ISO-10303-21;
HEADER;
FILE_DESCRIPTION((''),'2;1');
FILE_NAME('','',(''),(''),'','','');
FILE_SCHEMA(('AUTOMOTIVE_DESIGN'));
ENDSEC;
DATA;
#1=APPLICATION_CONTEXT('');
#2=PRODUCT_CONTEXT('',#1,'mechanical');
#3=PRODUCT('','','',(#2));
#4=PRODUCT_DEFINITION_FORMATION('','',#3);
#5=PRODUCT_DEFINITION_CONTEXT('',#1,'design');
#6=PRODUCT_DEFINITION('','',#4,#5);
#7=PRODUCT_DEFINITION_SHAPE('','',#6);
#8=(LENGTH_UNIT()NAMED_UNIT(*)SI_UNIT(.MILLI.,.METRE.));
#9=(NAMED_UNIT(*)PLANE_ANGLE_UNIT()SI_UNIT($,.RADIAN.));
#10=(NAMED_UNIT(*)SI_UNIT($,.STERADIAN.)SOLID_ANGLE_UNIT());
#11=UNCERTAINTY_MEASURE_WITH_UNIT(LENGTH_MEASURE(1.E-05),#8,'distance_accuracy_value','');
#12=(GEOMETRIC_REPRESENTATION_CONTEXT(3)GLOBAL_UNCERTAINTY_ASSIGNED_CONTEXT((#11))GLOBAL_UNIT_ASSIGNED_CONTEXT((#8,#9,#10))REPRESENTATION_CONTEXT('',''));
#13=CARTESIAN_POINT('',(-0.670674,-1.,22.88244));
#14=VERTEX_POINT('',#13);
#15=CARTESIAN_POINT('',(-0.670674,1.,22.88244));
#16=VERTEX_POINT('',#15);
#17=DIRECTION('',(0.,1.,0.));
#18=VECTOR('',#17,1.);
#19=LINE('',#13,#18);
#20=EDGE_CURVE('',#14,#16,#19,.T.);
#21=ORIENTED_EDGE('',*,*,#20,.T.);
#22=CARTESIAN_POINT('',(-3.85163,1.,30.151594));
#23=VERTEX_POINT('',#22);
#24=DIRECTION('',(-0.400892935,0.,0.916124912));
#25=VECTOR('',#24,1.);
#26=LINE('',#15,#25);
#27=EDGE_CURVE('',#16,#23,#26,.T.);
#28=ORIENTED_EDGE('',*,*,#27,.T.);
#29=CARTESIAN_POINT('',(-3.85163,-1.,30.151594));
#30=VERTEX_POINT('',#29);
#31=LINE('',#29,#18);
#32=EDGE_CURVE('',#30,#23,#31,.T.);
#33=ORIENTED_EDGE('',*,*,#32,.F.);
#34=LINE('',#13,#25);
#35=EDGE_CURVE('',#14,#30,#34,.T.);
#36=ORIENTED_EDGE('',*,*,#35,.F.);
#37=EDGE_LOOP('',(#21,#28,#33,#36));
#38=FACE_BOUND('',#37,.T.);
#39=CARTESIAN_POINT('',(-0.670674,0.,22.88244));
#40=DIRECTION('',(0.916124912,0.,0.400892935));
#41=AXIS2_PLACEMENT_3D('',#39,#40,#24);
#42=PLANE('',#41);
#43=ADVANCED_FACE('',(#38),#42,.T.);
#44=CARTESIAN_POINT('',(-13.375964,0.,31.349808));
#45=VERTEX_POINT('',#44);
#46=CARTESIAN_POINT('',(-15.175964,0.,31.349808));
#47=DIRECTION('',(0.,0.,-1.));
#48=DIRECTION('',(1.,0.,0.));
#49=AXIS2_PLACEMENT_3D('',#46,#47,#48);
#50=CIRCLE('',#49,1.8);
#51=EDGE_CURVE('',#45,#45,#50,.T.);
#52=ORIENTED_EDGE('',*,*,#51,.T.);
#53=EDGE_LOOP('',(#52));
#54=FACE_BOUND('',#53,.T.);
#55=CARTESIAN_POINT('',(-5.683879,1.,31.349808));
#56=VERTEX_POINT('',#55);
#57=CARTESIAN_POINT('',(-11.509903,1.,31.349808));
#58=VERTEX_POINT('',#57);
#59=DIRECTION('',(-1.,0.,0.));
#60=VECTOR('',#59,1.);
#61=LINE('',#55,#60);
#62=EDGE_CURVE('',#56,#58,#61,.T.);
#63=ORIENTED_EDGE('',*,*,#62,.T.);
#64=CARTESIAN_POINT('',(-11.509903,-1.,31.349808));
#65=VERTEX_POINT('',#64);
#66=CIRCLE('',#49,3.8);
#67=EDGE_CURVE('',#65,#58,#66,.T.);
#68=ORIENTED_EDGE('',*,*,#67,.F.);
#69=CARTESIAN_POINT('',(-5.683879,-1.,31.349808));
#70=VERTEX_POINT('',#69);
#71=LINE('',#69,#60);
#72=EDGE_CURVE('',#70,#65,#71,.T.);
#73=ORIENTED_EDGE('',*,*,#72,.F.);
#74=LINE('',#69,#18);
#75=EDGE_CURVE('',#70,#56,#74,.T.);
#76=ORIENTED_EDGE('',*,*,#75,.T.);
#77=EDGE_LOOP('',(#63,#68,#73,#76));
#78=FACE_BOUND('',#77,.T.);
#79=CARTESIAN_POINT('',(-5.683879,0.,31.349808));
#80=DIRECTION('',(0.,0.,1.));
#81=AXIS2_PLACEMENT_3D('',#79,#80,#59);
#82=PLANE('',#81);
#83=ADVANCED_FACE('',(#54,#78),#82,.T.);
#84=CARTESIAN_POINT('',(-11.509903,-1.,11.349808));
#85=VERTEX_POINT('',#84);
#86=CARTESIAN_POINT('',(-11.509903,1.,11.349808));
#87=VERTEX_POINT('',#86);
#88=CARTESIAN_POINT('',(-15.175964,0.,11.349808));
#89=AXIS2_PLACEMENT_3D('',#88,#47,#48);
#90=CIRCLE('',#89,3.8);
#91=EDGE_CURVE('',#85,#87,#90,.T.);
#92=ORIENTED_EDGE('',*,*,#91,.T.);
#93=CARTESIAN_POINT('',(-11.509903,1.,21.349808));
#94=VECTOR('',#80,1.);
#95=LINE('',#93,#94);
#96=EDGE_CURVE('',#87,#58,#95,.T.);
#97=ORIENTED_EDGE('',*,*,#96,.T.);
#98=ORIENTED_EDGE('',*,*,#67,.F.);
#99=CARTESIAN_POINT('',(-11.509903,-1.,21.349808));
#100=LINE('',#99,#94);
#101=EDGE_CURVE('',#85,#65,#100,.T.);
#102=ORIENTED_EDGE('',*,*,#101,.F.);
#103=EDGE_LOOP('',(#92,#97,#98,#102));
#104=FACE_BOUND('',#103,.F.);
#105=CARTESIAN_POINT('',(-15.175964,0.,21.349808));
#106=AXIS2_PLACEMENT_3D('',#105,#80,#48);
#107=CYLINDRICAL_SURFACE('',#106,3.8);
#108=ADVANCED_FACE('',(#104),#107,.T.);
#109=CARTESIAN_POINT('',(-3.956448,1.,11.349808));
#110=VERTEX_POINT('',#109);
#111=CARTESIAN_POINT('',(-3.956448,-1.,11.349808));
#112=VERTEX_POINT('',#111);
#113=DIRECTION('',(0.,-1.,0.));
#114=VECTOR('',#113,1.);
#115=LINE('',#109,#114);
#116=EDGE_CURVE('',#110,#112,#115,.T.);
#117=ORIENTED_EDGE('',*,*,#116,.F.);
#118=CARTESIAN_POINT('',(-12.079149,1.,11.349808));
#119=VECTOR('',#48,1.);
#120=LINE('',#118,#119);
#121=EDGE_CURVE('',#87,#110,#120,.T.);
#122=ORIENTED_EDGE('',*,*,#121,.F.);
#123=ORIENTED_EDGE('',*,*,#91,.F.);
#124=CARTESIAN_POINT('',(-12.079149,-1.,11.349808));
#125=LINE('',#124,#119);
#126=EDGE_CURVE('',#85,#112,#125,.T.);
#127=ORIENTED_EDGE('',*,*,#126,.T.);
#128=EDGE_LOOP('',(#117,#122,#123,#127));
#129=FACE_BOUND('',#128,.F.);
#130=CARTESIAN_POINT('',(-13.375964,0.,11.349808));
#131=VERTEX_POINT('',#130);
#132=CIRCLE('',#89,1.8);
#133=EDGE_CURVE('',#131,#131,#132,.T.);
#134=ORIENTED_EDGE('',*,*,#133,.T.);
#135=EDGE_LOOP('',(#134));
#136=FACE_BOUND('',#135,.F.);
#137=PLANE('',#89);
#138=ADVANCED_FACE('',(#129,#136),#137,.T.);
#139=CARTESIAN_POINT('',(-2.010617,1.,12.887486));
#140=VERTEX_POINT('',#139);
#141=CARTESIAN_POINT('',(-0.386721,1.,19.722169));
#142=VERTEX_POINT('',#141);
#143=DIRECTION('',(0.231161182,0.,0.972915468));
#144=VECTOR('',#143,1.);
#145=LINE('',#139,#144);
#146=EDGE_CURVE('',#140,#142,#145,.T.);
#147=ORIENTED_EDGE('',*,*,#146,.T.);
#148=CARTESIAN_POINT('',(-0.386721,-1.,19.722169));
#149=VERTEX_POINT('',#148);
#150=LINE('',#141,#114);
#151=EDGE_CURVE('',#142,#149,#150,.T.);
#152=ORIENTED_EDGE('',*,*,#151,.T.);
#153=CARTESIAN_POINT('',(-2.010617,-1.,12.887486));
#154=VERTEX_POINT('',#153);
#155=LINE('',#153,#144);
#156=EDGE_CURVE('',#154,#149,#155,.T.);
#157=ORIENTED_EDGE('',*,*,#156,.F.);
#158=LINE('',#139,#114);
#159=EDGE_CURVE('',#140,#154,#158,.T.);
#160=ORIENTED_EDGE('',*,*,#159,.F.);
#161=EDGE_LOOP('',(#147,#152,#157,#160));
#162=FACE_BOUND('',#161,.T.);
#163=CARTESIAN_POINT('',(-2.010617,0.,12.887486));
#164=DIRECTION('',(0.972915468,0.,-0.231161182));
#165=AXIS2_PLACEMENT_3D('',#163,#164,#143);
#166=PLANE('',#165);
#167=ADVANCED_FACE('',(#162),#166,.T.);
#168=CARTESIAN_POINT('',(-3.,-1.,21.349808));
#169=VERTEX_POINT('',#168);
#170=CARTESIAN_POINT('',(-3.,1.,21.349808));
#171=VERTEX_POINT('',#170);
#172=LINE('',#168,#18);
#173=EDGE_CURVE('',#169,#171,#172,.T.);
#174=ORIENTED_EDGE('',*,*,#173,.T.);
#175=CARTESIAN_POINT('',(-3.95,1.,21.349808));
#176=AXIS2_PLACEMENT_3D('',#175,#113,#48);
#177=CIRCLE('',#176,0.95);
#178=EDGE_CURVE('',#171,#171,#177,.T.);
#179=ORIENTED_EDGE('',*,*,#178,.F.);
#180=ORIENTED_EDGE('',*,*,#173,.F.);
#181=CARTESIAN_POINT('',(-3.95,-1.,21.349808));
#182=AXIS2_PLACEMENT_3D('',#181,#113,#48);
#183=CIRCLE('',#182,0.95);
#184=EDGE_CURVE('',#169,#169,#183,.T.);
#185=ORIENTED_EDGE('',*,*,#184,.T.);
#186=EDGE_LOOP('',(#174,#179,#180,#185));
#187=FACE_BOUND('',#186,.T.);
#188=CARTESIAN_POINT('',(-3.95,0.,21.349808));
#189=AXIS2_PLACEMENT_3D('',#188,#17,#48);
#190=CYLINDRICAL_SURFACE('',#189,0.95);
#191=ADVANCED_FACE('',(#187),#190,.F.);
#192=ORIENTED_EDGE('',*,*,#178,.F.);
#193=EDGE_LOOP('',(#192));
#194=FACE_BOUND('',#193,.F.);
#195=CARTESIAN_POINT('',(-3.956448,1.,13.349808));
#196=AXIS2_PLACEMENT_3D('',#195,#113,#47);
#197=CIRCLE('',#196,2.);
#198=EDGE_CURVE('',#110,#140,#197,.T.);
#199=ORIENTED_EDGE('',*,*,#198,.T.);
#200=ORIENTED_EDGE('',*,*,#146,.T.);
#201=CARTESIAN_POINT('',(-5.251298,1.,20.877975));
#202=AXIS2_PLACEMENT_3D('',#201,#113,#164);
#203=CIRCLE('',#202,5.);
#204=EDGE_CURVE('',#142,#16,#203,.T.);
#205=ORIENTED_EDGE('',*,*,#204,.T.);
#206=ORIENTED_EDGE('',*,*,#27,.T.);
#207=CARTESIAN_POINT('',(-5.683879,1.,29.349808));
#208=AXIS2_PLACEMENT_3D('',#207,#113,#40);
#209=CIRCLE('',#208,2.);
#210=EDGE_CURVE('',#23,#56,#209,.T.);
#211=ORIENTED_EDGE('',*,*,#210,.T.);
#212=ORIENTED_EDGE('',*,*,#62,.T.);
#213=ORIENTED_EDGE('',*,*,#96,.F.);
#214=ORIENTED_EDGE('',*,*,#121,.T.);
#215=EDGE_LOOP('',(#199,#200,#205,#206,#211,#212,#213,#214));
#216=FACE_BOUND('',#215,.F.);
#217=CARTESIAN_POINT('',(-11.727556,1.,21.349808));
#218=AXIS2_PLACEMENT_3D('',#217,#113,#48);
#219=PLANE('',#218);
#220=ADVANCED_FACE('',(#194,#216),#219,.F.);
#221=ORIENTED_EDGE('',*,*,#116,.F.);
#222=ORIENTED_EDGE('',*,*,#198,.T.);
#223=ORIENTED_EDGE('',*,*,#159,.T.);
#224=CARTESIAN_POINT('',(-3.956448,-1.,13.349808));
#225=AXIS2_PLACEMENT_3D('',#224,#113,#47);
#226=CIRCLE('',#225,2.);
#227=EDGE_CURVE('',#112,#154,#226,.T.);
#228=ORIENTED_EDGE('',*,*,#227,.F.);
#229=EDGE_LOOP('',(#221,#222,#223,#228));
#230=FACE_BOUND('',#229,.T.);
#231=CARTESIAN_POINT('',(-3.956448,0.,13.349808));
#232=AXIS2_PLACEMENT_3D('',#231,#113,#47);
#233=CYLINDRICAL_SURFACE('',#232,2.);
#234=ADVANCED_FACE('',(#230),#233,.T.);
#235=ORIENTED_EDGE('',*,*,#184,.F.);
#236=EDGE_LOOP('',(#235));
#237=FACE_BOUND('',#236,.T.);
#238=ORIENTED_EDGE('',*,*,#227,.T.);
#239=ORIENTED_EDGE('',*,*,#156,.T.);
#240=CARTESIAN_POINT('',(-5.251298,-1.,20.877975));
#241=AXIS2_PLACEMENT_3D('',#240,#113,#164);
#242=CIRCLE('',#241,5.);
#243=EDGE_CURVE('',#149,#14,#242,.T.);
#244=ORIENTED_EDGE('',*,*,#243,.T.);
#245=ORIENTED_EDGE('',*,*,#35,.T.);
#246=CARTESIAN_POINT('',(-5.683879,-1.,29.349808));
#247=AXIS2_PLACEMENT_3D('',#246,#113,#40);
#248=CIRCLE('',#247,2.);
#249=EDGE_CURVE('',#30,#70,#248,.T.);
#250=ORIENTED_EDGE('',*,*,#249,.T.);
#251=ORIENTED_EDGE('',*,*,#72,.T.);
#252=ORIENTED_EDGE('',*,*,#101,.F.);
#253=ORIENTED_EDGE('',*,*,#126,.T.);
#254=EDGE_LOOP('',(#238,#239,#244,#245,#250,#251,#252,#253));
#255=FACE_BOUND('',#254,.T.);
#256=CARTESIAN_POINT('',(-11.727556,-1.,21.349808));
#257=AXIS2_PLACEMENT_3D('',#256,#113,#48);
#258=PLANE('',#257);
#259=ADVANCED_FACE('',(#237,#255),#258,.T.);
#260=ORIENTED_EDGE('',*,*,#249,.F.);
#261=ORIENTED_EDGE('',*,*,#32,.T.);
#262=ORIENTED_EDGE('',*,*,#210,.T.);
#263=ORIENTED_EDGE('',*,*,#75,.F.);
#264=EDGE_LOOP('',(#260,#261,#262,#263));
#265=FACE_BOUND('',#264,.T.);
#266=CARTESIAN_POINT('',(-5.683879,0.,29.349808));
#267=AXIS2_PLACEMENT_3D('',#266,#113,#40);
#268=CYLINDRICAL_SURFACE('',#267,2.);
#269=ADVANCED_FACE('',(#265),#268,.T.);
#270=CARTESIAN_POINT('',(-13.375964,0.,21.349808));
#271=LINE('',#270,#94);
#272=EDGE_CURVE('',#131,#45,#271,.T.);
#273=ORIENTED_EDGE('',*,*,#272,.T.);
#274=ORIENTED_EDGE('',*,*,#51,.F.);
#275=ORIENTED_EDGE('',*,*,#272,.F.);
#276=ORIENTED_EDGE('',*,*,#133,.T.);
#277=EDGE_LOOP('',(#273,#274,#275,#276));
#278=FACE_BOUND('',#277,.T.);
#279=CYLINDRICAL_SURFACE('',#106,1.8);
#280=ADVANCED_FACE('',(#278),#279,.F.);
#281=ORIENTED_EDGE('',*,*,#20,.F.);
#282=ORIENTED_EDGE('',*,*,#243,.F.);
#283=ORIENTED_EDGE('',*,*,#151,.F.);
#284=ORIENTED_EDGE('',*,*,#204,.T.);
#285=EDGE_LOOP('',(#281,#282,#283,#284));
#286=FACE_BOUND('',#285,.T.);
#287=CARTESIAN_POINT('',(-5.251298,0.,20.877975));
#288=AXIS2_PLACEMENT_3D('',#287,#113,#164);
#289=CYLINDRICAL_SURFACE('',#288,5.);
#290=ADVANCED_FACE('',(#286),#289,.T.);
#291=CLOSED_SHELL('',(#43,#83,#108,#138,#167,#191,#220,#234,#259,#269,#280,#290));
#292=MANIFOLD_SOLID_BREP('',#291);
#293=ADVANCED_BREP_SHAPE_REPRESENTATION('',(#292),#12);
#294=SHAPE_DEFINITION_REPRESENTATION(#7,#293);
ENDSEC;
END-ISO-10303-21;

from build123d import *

# Parameters (mm, degrees)
F0_W     = 1.2968151346
F0_H     = 20
F0_W_2   = 0.7031848654
F0_R     = 0.95
F2_DEPTH = 1


with BuildPart() as f1:
    # F0 (on Front) → F1 (revolve)
    with BuildSketch(Plane.XZ):
        with Locations((-12.7275561206, 21.3498084247)):
            Rectangle(F0_W, F0_H)
        with Locations((-11.7275561206, 21.3498084247)):
            Rectangle(F0_W_2, F0_H)
    revolve(axis=Axis((-15.1759636879, 0, 21.4413572103), (0, 0, -1)))

    # F0 (on Front) → F2 (join, symmetric)
    with BuildSketch(Plane.XZ):
        with Locations((-11.7275561206, 21.3498084247)):
            Rectangle(F0_W_2, F0_H)
        with BuildLine():
            Line((-5.6838793599, 31.3498084247), (-11.3759636879, 31.3498084247))
            Line((-11.3759636879, 31.3498084247), (-11.3759636879, 11.3498084247))
            Line((-11.3759636879, 11.3498084247), (-3.9564480013, 11.3498084247))
            ThreePointArc((-3.9564480013, 11.3498084247), (-2.7164166971, 11.7806295424), (-2.0106170654, 12.8874860601))
            Line((-2.0106170654, 12.8874860601), (-0.386721159, 19.7221692442))
            ThreePointArc((-0.386721159, 19.7221692442), (-0.2713600171, 21.3254265154), (-0.6706739378, 22.8824398305))
            Line((-0.6706739378, 22.8824398305), (-3.8516295355, 30.1515942946))
            ThreePointArc((-3.8516295355, 30.1515942946), (-4.5892496827, 31.0236620234), (-5.6838793599, 31.3498084247))
        make_face()
        with Locations((-3.95, 21.3498084247)):
            Circle(F0_R, mode=Mode.SUBTRACT)
    extrude(amount=F2_DEPTH, both=True)


solid = f1.part
